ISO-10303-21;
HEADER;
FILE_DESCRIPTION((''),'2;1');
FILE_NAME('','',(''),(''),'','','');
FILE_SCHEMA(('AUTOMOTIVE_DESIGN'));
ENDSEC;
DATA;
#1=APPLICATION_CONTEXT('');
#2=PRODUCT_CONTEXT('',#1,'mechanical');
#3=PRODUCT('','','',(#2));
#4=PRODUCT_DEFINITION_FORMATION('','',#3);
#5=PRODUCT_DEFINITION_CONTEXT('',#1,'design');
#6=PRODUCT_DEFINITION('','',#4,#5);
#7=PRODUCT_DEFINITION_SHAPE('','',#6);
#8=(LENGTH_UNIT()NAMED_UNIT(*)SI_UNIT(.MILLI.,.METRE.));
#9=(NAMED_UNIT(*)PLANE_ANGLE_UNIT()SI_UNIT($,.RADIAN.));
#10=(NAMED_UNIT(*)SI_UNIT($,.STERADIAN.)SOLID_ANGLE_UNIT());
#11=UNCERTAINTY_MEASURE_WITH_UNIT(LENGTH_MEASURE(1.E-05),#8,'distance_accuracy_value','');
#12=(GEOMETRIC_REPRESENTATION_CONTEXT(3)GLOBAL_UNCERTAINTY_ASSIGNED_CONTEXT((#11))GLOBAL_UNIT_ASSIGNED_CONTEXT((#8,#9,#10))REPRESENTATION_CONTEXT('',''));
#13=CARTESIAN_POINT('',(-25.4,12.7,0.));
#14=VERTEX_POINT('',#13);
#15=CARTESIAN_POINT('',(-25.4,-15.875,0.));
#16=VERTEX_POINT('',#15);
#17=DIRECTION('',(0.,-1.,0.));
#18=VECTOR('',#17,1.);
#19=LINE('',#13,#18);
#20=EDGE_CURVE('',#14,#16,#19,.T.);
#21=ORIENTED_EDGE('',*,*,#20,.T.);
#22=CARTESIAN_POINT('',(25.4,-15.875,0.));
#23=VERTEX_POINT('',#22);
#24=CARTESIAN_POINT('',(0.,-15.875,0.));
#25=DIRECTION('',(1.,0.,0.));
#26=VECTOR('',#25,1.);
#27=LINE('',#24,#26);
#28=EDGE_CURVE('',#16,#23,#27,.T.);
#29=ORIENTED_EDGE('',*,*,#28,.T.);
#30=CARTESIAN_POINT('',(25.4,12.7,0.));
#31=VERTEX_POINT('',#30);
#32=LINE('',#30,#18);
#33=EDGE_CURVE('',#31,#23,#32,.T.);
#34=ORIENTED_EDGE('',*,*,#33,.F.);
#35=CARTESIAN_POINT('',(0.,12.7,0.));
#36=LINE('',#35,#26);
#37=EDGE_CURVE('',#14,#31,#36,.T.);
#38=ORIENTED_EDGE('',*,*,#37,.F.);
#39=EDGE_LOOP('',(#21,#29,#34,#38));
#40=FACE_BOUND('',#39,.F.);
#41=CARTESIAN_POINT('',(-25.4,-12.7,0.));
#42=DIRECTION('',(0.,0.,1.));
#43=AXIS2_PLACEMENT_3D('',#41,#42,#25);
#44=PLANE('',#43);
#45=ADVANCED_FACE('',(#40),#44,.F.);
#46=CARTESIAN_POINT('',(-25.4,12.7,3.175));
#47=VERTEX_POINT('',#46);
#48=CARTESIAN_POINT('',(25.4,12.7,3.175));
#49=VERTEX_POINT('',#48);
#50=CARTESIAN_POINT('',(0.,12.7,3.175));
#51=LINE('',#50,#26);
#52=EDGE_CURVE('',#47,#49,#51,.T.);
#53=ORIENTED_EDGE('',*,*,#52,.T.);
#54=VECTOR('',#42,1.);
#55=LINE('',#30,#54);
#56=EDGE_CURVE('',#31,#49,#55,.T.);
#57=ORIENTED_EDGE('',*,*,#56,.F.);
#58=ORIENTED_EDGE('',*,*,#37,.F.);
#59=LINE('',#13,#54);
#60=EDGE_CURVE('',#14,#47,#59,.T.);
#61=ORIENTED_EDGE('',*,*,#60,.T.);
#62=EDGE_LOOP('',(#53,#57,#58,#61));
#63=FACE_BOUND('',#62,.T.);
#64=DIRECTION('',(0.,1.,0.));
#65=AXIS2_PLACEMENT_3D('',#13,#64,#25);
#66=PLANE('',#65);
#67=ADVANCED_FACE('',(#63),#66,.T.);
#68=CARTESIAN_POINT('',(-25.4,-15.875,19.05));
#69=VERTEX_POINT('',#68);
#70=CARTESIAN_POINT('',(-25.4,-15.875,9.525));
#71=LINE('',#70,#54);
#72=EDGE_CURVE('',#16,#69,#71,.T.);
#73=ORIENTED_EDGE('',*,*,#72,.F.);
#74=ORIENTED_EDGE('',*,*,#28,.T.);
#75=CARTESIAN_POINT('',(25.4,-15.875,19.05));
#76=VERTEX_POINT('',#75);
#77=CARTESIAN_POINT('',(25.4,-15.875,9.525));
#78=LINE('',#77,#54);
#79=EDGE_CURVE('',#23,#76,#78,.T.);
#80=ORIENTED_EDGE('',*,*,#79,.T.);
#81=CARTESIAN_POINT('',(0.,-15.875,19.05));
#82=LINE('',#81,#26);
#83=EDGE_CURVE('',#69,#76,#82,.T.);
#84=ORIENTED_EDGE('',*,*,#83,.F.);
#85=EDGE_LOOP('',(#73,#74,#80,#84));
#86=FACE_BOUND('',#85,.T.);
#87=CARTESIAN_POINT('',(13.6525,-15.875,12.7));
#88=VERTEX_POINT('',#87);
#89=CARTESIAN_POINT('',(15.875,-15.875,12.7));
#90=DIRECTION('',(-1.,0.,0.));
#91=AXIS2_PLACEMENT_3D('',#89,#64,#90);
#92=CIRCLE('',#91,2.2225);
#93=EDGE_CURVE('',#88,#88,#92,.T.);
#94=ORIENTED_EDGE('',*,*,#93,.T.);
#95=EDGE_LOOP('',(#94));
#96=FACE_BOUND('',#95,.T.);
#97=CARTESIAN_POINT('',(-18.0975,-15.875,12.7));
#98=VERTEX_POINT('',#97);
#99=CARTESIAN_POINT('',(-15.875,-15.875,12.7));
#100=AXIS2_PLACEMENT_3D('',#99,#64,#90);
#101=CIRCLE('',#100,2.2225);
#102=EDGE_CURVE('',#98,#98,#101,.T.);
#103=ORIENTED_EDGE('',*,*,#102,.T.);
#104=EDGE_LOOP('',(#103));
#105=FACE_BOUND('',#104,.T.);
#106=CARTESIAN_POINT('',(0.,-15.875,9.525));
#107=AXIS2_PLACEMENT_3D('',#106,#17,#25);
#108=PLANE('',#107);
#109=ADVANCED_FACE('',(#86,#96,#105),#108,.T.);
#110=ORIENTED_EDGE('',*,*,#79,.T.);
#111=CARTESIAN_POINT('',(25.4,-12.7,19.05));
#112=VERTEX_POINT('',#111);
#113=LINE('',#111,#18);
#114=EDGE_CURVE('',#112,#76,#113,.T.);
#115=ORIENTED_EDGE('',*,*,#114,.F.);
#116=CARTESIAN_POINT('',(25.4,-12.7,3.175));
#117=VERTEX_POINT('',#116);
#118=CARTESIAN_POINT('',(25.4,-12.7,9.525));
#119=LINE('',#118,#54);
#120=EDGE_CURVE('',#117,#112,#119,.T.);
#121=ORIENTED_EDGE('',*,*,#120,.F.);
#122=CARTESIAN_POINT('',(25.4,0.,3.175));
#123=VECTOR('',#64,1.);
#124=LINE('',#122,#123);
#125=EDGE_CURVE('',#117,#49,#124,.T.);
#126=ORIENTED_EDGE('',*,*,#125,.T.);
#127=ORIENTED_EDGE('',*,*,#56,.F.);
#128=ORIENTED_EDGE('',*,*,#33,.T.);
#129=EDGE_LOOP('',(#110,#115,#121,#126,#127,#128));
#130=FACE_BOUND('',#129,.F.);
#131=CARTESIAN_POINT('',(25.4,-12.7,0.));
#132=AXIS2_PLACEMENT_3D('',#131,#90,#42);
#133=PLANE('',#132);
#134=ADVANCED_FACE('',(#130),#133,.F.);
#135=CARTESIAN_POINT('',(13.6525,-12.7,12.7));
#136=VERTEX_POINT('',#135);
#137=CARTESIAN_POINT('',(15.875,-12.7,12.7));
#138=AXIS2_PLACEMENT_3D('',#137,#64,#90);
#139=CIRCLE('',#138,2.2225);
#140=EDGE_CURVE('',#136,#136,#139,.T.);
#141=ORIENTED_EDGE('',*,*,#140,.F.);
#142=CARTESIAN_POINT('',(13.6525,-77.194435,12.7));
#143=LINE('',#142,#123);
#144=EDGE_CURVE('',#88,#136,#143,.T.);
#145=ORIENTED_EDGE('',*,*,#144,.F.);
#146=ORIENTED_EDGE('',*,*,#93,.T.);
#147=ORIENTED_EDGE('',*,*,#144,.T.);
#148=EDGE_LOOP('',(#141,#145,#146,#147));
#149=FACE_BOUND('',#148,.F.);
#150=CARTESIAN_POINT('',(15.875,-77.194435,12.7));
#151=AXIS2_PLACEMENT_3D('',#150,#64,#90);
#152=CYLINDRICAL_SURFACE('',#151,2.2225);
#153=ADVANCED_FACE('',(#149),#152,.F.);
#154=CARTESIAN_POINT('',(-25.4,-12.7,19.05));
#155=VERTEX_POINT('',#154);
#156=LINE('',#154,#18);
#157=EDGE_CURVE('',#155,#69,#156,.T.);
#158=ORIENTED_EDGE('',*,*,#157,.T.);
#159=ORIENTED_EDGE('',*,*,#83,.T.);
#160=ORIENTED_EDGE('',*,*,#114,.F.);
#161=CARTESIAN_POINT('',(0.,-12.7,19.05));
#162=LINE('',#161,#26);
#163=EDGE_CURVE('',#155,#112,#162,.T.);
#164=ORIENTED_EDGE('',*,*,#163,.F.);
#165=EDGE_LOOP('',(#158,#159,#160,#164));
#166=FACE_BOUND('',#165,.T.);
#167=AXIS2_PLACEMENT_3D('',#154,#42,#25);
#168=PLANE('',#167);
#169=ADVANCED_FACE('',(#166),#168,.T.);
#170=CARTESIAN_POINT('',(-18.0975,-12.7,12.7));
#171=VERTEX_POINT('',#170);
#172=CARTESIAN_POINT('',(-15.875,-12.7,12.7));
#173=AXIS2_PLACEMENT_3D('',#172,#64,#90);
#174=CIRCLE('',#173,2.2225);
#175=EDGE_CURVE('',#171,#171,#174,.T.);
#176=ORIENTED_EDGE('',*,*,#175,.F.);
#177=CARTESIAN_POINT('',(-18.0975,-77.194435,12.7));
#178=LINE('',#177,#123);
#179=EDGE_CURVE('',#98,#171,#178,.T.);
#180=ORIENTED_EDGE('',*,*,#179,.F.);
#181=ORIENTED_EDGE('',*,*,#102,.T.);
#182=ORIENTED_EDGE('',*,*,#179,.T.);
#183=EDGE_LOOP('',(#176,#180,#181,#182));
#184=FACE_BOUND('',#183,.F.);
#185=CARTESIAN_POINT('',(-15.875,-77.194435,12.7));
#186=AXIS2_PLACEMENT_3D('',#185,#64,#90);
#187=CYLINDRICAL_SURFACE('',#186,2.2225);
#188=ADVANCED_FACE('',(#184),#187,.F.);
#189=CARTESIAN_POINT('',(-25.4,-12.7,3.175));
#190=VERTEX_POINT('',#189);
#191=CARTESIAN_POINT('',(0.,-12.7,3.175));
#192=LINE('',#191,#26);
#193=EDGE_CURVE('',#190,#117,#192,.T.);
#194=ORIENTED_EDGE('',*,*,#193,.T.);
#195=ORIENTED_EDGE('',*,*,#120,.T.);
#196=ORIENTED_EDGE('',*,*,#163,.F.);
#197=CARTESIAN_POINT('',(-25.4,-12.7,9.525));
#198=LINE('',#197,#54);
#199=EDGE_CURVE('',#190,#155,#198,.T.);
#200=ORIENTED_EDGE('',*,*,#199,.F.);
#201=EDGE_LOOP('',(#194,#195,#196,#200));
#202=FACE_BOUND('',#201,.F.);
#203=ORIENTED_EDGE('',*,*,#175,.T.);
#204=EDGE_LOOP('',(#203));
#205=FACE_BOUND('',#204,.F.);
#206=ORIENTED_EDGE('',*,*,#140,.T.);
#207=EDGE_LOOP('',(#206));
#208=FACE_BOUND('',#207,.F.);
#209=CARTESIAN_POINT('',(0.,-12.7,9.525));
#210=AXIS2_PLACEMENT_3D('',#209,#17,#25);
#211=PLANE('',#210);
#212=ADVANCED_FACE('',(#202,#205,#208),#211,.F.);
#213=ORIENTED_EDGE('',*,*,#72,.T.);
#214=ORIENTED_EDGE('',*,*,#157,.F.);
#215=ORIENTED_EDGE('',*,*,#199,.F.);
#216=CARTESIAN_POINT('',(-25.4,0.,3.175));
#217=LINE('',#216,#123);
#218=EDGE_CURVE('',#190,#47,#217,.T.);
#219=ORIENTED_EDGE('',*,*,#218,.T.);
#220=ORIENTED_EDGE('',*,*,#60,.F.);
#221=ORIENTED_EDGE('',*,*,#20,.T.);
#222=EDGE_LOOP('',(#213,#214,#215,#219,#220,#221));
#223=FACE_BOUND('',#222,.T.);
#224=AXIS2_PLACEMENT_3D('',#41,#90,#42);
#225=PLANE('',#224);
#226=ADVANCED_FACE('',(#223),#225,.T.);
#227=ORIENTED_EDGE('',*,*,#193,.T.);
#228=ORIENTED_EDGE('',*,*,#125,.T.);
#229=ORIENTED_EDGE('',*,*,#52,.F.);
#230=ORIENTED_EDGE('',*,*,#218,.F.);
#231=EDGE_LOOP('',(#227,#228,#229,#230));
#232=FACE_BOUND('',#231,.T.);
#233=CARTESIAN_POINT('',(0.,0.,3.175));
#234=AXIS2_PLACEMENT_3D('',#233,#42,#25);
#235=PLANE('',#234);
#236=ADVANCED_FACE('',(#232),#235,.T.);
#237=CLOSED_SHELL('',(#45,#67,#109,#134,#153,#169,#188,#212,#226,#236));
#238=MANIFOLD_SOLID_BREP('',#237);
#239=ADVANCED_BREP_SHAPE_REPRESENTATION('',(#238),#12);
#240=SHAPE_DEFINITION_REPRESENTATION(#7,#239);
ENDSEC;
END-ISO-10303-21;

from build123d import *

# Parameters (mm, degrees)
F0_W     = 50.8
F0_H     = 25.4
F1_DEPTH = 3.175
F2_W     = 50.8
F2_H     = 19.05
F3_DEPTH = 3.175
F6_D     = 4.445
F8_D     = 4.445


with BuildPart() as f1:
    # F0 (on Top) → F1 (new body)
    with BuildSketch(Plane.XY):
        Rectangle(F0_W, F0_H)
    extrude(amount=F1_DEPTH)

    # F2 (on face) → F3 (join)
    with BuildSketch(Plane.XZ.offset(12.7)):
        with Locations((0, 9.525)):
            Rectangle(F2_W, F2_H)
    extrude(amount=F3_DEPTH)

    # F6 (through all)
    with Locations(Plane.XZ.offset(15.875)):
        with Locations((15.875, 12.7)):
            Hole(F6_D / 2)

    # F8 (through all)
    with Locations(Plane.XZ.offset(15.875)):
        with Locations((-15.875, 12.7)):
            Hole(F8_D / 2)


solid = f1.part
